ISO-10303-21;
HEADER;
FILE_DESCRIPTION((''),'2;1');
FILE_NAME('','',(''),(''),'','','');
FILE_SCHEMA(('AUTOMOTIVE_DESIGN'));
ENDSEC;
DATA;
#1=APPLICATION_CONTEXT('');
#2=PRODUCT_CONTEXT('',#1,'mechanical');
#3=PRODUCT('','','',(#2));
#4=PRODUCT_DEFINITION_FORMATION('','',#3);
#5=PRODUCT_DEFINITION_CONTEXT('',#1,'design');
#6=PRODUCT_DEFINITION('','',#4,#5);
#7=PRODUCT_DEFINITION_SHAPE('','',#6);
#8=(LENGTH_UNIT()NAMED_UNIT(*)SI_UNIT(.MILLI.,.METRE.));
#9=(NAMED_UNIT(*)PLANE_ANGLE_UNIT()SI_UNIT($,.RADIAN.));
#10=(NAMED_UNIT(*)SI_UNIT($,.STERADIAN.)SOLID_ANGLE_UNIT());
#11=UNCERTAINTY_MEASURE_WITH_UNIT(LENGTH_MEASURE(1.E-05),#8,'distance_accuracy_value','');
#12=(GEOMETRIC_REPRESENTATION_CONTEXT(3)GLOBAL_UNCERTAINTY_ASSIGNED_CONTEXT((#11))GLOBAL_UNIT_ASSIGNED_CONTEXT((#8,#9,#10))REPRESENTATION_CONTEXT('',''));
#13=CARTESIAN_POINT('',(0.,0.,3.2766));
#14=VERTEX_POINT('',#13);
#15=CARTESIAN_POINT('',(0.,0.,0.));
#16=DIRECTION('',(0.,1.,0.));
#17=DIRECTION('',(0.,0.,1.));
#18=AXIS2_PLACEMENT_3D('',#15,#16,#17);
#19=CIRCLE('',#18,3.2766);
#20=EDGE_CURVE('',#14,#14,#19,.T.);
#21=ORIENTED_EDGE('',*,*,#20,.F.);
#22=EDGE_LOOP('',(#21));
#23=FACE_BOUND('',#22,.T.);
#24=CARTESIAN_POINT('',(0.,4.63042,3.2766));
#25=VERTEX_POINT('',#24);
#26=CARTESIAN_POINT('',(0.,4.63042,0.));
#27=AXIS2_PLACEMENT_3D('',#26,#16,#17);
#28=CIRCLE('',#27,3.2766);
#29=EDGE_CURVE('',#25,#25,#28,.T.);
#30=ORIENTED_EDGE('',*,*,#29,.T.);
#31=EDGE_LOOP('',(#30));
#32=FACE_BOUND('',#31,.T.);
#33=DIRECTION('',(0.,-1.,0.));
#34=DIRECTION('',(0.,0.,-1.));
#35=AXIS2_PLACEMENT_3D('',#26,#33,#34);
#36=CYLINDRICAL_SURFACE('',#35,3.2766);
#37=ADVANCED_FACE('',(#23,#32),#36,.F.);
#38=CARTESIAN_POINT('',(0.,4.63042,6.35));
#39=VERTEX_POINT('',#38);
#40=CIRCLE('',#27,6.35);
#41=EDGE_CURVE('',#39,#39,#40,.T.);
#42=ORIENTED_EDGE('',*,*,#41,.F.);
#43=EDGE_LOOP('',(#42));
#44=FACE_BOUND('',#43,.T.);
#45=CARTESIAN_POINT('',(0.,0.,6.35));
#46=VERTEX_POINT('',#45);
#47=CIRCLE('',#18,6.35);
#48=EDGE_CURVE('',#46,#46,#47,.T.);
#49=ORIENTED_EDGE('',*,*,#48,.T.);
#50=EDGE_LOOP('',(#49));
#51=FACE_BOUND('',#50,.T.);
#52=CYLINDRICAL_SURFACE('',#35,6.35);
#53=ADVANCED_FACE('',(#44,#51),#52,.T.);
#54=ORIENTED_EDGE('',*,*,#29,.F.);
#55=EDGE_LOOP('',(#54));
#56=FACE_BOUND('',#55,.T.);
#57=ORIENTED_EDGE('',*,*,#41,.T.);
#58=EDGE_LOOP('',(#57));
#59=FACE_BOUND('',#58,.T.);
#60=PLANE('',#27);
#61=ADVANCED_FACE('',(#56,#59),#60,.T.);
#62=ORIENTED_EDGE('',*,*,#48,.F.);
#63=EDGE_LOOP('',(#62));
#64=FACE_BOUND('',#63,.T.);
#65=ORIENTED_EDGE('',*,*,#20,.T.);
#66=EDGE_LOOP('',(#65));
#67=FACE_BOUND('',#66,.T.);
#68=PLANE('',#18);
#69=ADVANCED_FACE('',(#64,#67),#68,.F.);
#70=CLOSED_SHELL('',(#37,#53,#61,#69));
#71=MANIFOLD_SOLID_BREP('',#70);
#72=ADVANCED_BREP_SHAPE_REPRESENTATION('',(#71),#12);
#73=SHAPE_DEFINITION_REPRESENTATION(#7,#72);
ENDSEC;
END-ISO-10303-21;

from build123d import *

# Parameters (mm, degrees)
SKETCH1_R           = 6.35
SKETCH1_R_2         = 3.2766
BOSS_EXTRUDE1_DEPTH = 4.63042


with BuildPart() as part:
    # Sketch1 → Boss-Extrude1 (new body)
    with BuildSketch(Plane(origin=(0, 0, 0), x_dir=(1, 0, 0), z_dir=(0, 1, 0))):
        Circle(SKETCH1_R)
        Circle(SKETCH1_R_2, mode=Mode.SUBTRACT)
    extrude(amount=BOSS_EXTRUDE1_DEPTH)


solid = part.part
